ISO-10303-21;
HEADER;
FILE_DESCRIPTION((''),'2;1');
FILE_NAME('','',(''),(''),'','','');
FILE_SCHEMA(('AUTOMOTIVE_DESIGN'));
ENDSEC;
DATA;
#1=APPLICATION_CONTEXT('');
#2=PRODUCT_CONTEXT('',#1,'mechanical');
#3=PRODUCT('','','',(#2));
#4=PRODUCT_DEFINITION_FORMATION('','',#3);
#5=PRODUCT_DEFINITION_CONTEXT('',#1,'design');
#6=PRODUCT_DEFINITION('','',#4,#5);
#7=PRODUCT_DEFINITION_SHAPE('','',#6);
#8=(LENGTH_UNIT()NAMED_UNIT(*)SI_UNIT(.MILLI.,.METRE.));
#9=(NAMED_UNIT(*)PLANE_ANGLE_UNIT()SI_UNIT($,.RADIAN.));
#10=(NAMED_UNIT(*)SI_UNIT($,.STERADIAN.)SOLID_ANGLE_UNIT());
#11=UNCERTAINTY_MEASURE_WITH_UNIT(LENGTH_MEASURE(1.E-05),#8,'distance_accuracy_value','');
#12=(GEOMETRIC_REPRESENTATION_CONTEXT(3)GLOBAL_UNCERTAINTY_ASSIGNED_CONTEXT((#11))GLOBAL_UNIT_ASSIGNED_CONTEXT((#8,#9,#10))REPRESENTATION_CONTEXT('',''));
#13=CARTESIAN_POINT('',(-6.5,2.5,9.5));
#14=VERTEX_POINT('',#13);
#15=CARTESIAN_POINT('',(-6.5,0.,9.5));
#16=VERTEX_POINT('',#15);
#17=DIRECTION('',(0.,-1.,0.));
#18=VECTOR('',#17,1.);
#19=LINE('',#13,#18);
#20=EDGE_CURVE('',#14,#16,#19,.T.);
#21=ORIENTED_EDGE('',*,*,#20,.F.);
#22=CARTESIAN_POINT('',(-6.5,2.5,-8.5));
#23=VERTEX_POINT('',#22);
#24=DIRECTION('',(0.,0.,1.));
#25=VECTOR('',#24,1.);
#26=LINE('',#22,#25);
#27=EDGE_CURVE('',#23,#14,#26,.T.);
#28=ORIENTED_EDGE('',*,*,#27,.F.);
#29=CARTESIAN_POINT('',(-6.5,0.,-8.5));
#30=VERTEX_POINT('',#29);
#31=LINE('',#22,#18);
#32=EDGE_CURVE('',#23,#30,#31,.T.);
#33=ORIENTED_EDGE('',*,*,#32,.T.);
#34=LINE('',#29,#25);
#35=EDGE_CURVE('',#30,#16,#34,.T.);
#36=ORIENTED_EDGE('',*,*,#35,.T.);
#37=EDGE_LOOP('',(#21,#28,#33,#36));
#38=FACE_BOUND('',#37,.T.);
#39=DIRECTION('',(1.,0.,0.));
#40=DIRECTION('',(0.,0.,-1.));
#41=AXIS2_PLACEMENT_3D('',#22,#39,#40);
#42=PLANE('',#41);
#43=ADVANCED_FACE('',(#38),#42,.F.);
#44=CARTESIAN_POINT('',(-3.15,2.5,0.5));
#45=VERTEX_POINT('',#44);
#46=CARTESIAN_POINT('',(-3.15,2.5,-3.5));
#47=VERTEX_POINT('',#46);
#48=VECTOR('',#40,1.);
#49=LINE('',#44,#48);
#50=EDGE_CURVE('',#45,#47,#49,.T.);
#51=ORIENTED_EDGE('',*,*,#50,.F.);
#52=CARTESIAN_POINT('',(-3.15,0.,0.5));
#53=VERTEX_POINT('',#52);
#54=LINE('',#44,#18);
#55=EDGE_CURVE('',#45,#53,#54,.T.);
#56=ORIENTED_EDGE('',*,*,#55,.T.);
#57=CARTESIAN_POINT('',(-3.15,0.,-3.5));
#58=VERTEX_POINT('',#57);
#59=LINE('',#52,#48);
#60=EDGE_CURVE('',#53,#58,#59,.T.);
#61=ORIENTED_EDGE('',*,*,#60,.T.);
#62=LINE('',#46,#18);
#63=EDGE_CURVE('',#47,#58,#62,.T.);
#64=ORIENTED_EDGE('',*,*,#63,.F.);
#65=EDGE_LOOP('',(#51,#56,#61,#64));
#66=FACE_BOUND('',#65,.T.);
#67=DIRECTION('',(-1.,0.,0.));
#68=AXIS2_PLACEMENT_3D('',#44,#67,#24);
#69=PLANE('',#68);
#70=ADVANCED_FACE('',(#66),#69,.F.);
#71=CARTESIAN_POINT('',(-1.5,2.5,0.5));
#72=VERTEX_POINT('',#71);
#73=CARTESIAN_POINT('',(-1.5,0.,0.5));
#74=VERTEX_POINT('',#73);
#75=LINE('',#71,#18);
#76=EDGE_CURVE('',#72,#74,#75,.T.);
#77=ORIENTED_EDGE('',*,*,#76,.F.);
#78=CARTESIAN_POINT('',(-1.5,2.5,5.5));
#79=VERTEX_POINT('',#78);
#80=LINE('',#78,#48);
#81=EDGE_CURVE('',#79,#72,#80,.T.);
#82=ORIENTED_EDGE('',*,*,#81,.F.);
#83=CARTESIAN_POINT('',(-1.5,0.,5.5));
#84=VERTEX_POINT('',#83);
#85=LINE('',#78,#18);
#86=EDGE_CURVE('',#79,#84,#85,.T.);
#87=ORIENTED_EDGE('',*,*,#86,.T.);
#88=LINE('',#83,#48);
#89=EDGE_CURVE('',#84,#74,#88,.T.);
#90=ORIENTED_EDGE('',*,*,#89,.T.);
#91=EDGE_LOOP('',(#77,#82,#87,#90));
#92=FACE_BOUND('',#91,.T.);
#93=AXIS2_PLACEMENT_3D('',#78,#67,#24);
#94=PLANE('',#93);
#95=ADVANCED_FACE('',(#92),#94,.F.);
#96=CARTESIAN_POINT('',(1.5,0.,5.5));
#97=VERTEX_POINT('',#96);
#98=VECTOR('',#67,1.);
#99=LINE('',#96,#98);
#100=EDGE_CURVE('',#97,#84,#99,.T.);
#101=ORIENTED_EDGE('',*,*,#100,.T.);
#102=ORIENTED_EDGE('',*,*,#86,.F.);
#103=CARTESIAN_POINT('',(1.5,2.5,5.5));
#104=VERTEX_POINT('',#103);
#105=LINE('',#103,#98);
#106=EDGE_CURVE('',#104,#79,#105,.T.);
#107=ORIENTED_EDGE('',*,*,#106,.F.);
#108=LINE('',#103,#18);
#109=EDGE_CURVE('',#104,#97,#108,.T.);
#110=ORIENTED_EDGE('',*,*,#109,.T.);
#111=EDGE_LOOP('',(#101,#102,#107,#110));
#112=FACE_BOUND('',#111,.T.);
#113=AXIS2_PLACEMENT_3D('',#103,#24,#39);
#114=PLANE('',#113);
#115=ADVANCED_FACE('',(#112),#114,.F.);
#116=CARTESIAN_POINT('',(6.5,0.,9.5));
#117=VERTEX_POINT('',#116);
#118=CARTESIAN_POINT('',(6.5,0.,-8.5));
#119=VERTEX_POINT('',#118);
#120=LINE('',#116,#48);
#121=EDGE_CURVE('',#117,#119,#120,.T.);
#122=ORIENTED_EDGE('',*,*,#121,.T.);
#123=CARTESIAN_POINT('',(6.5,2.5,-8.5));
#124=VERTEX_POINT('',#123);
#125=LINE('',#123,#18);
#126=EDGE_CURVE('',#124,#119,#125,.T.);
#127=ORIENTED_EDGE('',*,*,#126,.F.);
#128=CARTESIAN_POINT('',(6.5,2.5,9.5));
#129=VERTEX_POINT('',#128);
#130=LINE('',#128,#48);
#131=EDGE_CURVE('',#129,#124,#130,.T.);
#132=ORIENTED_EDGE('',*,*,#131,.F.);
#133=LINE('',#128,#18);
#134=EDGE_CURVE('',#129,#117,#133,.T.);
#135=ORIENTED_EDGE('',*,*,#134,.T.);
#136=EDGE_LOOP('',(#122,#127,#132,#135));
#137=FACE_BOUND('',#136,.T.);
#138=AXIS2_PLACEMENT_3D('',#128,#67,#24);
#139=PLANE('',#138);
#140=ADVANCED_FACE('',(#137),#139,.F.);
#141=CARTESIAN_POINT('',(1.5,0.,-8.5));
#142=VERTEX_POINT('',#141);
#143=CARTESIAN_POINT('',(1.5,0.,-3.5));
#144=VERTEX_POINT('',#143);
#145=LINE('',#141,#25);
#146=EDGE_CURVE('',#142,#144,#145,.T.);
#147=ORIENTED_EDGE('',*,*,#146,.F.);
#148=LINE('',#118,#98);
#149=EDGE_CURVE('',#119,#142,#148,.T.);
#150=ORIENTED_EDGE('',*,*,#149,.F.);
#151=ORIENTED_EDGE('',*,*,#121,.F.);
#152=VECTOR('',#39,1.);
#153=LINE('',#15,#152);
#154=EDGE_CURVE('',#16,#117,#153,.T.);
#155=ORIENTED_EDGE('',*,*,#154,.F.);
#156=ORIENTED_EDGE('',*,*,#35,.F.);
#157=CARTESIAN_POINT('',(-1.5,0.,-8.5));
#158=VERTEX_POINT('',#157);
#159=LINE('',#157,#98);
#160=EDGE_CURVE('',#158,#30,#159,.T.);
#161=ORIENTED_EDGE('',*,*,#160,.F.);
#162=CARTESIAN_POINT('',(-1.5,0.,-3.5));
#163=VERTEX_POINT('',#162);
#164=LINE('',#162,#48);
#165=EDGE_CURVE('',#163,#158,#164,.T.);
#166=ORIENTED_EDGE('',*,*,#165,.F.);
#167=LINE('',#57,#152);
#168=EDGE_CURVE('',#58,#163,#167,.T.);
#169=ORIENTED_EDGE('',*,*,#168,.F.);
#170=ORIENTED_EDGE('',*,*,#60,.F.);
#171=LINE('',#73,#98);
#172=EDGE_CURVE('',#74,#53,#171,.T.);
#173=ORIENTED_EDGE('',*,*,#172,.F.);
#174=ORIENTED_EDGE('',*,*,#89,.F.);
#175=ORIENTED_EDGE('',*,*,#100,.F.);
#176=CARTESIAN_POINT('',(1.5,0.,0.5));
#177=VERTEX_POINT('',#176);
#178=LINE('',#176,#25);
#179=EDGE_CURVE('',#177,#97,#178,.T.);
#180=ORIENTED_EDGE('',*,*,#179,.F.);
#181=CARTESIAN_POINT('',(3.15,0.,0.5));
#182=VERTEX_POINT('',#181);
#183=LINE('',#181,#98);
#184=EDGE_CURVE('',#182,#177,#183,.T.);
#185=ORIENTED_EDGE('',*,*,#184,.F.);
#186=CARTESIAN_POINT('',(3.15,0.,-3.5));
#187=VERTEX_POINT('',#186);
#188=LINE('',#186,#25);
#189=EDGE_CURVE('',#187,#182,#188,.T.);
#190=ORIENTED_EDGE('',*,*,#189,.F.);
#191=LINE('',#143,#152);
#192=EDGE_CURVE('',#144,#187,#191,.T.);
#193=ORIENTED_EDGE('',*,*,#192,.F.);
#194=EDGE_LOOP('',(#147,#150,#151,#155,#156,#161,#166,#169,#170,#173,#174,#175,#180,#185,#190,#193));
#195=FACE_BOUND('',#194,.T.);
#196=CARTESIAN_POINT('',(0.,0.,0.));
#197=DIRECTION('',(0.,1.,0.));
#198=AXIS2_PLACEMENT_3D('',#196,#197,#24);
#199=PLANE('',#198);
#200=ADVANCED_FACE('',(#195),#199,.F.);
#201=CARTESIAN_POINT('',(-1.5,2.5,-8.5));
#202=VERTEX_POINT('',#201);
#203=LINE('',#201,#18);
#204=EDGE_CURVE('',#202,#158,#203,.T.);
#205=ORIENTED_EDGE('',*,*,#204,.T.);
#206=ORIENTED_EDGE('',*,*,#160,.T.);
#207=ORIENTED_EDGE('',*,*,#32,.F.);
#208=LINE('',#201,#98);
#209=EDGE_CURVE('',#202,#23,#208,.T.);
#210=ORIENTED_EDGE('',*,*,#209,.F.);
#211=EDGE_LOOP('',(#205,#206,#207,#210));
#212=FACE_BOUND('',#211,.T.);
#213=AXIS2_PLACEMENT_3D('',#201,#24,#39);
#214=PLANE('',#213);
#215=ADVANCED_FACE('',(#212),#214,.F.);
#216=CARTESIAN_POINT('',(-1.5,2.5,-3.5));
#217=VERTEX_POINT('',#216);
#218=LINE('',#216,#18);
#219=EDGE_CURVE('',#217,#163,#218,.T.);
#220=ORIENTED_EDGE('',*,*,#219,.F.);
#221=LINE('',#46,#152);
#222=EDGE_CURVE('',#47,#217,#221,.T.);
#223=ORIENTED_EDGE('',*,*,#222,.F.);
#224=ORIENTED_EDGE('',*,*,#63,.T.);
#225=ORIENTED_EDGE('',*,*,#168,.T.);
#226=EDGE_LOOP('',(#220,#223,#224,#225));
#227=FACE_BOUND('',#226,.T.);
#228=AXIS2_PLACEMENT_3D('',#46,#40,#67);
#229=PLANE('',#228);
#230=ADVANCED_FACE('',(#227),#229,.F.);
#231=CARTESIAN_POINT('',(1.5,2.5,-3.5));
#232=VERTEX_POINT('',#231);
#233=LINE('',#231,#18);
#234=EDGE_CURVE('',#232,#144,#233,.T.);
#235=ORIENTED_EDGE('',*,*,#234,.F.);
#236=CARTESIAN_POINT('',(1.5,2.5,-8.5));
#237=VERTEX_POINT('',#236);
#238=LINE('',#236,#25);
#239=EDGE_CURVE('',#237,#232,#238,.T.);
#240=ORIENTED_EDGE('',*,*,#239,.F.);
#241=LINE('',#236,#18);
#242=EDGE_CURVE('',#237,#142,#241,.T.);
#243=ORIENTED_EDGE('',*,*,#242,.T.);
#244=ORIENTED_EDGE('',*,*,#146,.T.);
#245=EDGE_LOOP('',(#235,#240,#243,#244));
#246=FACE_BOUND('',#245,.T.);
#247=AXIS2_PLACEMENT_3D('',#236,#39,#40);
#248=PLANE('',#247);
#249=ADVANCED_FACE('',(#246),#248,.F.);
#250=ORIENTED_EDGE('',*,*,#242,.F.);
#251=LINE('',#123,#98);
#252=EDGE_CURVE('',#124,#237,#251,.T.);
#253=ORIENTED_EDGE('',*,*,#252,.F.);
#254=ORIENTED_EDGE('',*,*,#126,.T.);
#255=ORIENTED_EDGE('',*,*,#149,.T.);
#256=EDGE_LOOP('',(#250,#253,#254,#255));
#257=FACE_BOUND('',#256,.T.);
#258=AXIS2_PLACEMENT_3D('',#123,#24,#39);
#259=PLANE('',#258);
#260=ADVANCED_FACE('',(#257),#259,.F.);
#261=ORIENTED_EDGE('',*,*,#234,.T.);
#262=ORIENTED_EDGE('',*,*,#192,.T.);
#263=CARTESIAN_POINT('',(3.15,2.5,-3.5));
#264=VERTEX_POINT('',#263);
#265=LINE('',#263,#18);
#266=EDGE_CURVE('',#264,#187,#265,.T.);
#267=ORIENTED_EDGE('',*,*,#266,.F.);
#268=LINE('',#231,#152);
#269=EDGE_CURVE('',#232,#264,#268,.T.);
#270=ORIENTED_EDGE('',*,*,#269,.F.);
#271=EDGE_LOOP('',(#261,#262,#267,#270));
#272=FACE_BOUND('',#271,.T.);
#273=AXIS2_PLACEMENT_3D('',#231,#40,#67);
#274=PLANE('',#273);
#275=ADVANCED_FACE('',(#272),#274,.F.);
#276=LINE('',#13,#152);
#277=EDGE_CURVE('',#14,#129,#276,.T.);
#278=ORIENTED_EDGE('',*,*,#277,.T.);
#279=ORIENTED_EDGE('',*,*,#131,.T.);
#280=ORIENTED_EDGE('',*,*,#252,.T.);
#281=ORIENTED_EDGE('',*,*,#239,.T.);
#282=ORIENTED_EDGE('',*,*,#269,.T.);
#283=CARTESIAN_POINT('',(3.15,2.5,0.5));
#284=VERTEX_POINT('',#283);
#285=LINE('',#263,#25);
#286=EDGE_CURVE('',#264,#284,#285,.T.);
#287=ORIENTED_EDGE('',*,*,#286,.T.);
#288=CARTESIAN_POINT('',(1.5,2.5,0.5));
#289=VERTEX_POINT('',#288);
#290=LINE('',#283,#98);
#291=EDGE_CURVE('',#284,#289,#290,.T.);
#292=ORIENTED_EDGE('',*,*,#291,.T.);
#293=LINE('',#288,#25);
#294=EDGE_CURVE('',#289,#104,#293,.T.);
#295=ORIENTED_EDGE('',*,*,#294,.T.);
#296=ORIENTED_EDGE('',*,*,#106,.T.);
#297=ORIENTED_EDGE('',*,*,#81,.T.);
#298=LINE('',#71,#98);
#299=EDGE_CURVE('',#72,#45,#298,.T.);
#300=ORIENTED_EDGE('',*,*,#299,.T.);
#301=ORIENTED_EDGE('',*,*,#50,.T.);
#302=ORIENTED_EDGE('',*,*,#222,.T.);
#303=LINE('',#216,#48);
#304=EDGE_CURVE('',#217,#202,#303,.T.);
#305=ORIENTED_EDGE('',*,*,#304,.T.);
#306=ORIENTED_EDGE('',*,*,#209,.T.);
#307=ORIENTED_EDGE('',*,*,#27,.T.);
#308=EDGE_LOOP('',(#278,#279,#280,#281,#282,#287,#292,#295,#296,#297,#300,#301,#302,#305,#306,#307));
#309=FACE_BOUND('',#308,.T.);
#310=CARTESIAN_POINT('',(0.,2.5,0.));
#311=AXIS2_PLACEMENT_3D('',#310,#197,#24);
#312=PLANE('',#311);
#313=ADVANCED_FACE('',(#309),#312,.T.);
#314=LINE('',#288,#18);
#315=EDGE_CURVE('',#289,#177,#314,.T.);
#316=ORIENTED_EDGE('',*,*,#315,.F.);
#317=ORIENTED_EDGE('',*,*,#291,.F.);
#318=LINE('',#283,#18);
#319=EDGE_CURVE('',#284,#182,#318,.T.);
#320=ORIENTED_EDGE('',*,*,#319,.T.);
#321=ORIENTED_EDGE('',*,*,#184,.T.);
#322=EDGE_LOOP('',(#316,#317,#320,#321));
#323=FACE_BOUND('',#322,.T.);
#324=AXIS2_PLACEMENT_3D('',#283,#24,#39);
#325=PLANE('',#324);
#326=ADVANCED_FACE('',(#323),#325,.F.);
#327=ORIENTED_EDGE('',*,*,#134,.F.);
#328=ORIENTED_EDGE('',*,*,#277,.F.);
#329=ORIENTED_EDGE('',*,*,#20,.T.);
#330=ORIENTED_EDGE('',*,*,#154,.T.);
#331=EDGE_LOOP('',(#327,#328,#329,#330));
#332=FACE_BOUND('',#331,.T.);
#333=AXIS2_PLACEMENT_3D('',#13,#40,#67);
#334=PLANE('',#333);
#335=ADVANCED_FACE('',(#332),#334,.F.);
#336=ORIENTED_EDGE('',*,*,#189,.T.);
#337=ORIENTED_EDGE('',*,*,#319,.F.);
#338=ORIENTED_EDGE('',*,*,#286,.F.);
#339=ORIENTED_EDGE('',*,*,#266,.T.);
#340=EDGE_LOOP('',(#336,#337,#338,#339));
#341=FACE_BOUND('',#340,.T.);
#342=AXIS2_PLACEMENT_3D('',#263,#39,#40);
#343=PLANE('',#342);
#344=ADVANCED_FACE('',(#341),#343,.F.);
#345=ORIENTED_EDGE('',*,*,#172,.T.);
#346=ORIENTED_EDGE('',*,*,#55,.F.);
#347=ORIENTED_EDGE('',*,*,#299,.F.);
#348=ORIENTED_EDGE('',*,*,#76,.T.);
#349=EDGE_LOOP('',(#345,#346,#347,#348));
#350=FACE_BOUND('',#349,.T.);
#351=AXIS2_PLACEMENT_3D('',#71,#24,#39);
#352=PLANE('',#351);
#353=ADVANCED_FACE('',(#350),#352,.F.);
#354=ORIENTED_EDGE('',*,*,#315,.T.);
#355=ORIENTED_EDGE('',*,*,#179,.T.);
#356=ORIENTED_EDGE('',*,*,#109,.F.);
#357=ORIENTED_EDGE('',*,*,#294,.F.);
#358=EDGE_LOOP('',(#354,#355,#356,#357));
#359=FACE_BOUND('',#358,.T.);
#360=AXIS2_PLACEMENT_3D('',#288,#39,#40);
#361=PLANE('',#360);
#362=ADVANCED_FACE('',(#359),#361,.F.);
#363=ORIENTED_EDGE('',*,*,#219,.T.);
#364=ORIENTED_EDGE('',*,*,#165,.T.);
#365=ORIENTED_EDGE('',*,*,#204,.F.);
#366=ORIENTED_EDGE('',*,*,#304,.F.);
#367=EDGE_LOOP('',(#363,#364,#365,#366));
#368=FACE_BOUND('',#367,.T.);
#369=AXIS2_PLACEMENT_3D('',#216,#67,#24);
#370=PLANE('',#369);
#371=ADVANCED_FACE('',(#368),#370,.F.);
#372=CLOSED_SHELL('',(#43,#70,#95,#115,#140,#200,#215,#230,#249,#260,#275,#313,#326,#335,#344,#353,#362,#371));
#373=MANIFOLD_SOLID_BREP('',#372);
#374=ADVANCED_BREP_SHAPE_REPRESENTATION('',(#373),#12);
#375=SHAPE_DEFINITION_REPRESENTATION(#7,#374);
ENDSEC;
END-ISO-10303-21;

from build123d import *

# Parameters (mm, degrees)
BOSS_EXTRUDE1_DEPTH = 2.5


with BuildPart() as part:
    # Sketch1 → Boss-Extrude1 (new body)
    with BuildSketch(Plane(origin=(0, 0, 0), x_dir=(1, 0, 0), z_dir=(0, 1, 0))):
        Polygon((1.5, 8.5), (1.5, 3.5), (3.15, 3.5), (3.15, -0.5), (1.5, -0.5), (1.5, -5.5), (-1.5, -5.5), (-1.5, -0.5), (-3.15, -0.5), (-3.15, 3.5), (-1.5, 3.5), (-1.5, 8.5), (-6.5, 8.5), (-6.5, -9.5), (6.5, -9.5), (6.5, 8.5), align=None)
    extrude(amount=BOSS_EXTRUDE1_DEPTH)


solid = part.part
